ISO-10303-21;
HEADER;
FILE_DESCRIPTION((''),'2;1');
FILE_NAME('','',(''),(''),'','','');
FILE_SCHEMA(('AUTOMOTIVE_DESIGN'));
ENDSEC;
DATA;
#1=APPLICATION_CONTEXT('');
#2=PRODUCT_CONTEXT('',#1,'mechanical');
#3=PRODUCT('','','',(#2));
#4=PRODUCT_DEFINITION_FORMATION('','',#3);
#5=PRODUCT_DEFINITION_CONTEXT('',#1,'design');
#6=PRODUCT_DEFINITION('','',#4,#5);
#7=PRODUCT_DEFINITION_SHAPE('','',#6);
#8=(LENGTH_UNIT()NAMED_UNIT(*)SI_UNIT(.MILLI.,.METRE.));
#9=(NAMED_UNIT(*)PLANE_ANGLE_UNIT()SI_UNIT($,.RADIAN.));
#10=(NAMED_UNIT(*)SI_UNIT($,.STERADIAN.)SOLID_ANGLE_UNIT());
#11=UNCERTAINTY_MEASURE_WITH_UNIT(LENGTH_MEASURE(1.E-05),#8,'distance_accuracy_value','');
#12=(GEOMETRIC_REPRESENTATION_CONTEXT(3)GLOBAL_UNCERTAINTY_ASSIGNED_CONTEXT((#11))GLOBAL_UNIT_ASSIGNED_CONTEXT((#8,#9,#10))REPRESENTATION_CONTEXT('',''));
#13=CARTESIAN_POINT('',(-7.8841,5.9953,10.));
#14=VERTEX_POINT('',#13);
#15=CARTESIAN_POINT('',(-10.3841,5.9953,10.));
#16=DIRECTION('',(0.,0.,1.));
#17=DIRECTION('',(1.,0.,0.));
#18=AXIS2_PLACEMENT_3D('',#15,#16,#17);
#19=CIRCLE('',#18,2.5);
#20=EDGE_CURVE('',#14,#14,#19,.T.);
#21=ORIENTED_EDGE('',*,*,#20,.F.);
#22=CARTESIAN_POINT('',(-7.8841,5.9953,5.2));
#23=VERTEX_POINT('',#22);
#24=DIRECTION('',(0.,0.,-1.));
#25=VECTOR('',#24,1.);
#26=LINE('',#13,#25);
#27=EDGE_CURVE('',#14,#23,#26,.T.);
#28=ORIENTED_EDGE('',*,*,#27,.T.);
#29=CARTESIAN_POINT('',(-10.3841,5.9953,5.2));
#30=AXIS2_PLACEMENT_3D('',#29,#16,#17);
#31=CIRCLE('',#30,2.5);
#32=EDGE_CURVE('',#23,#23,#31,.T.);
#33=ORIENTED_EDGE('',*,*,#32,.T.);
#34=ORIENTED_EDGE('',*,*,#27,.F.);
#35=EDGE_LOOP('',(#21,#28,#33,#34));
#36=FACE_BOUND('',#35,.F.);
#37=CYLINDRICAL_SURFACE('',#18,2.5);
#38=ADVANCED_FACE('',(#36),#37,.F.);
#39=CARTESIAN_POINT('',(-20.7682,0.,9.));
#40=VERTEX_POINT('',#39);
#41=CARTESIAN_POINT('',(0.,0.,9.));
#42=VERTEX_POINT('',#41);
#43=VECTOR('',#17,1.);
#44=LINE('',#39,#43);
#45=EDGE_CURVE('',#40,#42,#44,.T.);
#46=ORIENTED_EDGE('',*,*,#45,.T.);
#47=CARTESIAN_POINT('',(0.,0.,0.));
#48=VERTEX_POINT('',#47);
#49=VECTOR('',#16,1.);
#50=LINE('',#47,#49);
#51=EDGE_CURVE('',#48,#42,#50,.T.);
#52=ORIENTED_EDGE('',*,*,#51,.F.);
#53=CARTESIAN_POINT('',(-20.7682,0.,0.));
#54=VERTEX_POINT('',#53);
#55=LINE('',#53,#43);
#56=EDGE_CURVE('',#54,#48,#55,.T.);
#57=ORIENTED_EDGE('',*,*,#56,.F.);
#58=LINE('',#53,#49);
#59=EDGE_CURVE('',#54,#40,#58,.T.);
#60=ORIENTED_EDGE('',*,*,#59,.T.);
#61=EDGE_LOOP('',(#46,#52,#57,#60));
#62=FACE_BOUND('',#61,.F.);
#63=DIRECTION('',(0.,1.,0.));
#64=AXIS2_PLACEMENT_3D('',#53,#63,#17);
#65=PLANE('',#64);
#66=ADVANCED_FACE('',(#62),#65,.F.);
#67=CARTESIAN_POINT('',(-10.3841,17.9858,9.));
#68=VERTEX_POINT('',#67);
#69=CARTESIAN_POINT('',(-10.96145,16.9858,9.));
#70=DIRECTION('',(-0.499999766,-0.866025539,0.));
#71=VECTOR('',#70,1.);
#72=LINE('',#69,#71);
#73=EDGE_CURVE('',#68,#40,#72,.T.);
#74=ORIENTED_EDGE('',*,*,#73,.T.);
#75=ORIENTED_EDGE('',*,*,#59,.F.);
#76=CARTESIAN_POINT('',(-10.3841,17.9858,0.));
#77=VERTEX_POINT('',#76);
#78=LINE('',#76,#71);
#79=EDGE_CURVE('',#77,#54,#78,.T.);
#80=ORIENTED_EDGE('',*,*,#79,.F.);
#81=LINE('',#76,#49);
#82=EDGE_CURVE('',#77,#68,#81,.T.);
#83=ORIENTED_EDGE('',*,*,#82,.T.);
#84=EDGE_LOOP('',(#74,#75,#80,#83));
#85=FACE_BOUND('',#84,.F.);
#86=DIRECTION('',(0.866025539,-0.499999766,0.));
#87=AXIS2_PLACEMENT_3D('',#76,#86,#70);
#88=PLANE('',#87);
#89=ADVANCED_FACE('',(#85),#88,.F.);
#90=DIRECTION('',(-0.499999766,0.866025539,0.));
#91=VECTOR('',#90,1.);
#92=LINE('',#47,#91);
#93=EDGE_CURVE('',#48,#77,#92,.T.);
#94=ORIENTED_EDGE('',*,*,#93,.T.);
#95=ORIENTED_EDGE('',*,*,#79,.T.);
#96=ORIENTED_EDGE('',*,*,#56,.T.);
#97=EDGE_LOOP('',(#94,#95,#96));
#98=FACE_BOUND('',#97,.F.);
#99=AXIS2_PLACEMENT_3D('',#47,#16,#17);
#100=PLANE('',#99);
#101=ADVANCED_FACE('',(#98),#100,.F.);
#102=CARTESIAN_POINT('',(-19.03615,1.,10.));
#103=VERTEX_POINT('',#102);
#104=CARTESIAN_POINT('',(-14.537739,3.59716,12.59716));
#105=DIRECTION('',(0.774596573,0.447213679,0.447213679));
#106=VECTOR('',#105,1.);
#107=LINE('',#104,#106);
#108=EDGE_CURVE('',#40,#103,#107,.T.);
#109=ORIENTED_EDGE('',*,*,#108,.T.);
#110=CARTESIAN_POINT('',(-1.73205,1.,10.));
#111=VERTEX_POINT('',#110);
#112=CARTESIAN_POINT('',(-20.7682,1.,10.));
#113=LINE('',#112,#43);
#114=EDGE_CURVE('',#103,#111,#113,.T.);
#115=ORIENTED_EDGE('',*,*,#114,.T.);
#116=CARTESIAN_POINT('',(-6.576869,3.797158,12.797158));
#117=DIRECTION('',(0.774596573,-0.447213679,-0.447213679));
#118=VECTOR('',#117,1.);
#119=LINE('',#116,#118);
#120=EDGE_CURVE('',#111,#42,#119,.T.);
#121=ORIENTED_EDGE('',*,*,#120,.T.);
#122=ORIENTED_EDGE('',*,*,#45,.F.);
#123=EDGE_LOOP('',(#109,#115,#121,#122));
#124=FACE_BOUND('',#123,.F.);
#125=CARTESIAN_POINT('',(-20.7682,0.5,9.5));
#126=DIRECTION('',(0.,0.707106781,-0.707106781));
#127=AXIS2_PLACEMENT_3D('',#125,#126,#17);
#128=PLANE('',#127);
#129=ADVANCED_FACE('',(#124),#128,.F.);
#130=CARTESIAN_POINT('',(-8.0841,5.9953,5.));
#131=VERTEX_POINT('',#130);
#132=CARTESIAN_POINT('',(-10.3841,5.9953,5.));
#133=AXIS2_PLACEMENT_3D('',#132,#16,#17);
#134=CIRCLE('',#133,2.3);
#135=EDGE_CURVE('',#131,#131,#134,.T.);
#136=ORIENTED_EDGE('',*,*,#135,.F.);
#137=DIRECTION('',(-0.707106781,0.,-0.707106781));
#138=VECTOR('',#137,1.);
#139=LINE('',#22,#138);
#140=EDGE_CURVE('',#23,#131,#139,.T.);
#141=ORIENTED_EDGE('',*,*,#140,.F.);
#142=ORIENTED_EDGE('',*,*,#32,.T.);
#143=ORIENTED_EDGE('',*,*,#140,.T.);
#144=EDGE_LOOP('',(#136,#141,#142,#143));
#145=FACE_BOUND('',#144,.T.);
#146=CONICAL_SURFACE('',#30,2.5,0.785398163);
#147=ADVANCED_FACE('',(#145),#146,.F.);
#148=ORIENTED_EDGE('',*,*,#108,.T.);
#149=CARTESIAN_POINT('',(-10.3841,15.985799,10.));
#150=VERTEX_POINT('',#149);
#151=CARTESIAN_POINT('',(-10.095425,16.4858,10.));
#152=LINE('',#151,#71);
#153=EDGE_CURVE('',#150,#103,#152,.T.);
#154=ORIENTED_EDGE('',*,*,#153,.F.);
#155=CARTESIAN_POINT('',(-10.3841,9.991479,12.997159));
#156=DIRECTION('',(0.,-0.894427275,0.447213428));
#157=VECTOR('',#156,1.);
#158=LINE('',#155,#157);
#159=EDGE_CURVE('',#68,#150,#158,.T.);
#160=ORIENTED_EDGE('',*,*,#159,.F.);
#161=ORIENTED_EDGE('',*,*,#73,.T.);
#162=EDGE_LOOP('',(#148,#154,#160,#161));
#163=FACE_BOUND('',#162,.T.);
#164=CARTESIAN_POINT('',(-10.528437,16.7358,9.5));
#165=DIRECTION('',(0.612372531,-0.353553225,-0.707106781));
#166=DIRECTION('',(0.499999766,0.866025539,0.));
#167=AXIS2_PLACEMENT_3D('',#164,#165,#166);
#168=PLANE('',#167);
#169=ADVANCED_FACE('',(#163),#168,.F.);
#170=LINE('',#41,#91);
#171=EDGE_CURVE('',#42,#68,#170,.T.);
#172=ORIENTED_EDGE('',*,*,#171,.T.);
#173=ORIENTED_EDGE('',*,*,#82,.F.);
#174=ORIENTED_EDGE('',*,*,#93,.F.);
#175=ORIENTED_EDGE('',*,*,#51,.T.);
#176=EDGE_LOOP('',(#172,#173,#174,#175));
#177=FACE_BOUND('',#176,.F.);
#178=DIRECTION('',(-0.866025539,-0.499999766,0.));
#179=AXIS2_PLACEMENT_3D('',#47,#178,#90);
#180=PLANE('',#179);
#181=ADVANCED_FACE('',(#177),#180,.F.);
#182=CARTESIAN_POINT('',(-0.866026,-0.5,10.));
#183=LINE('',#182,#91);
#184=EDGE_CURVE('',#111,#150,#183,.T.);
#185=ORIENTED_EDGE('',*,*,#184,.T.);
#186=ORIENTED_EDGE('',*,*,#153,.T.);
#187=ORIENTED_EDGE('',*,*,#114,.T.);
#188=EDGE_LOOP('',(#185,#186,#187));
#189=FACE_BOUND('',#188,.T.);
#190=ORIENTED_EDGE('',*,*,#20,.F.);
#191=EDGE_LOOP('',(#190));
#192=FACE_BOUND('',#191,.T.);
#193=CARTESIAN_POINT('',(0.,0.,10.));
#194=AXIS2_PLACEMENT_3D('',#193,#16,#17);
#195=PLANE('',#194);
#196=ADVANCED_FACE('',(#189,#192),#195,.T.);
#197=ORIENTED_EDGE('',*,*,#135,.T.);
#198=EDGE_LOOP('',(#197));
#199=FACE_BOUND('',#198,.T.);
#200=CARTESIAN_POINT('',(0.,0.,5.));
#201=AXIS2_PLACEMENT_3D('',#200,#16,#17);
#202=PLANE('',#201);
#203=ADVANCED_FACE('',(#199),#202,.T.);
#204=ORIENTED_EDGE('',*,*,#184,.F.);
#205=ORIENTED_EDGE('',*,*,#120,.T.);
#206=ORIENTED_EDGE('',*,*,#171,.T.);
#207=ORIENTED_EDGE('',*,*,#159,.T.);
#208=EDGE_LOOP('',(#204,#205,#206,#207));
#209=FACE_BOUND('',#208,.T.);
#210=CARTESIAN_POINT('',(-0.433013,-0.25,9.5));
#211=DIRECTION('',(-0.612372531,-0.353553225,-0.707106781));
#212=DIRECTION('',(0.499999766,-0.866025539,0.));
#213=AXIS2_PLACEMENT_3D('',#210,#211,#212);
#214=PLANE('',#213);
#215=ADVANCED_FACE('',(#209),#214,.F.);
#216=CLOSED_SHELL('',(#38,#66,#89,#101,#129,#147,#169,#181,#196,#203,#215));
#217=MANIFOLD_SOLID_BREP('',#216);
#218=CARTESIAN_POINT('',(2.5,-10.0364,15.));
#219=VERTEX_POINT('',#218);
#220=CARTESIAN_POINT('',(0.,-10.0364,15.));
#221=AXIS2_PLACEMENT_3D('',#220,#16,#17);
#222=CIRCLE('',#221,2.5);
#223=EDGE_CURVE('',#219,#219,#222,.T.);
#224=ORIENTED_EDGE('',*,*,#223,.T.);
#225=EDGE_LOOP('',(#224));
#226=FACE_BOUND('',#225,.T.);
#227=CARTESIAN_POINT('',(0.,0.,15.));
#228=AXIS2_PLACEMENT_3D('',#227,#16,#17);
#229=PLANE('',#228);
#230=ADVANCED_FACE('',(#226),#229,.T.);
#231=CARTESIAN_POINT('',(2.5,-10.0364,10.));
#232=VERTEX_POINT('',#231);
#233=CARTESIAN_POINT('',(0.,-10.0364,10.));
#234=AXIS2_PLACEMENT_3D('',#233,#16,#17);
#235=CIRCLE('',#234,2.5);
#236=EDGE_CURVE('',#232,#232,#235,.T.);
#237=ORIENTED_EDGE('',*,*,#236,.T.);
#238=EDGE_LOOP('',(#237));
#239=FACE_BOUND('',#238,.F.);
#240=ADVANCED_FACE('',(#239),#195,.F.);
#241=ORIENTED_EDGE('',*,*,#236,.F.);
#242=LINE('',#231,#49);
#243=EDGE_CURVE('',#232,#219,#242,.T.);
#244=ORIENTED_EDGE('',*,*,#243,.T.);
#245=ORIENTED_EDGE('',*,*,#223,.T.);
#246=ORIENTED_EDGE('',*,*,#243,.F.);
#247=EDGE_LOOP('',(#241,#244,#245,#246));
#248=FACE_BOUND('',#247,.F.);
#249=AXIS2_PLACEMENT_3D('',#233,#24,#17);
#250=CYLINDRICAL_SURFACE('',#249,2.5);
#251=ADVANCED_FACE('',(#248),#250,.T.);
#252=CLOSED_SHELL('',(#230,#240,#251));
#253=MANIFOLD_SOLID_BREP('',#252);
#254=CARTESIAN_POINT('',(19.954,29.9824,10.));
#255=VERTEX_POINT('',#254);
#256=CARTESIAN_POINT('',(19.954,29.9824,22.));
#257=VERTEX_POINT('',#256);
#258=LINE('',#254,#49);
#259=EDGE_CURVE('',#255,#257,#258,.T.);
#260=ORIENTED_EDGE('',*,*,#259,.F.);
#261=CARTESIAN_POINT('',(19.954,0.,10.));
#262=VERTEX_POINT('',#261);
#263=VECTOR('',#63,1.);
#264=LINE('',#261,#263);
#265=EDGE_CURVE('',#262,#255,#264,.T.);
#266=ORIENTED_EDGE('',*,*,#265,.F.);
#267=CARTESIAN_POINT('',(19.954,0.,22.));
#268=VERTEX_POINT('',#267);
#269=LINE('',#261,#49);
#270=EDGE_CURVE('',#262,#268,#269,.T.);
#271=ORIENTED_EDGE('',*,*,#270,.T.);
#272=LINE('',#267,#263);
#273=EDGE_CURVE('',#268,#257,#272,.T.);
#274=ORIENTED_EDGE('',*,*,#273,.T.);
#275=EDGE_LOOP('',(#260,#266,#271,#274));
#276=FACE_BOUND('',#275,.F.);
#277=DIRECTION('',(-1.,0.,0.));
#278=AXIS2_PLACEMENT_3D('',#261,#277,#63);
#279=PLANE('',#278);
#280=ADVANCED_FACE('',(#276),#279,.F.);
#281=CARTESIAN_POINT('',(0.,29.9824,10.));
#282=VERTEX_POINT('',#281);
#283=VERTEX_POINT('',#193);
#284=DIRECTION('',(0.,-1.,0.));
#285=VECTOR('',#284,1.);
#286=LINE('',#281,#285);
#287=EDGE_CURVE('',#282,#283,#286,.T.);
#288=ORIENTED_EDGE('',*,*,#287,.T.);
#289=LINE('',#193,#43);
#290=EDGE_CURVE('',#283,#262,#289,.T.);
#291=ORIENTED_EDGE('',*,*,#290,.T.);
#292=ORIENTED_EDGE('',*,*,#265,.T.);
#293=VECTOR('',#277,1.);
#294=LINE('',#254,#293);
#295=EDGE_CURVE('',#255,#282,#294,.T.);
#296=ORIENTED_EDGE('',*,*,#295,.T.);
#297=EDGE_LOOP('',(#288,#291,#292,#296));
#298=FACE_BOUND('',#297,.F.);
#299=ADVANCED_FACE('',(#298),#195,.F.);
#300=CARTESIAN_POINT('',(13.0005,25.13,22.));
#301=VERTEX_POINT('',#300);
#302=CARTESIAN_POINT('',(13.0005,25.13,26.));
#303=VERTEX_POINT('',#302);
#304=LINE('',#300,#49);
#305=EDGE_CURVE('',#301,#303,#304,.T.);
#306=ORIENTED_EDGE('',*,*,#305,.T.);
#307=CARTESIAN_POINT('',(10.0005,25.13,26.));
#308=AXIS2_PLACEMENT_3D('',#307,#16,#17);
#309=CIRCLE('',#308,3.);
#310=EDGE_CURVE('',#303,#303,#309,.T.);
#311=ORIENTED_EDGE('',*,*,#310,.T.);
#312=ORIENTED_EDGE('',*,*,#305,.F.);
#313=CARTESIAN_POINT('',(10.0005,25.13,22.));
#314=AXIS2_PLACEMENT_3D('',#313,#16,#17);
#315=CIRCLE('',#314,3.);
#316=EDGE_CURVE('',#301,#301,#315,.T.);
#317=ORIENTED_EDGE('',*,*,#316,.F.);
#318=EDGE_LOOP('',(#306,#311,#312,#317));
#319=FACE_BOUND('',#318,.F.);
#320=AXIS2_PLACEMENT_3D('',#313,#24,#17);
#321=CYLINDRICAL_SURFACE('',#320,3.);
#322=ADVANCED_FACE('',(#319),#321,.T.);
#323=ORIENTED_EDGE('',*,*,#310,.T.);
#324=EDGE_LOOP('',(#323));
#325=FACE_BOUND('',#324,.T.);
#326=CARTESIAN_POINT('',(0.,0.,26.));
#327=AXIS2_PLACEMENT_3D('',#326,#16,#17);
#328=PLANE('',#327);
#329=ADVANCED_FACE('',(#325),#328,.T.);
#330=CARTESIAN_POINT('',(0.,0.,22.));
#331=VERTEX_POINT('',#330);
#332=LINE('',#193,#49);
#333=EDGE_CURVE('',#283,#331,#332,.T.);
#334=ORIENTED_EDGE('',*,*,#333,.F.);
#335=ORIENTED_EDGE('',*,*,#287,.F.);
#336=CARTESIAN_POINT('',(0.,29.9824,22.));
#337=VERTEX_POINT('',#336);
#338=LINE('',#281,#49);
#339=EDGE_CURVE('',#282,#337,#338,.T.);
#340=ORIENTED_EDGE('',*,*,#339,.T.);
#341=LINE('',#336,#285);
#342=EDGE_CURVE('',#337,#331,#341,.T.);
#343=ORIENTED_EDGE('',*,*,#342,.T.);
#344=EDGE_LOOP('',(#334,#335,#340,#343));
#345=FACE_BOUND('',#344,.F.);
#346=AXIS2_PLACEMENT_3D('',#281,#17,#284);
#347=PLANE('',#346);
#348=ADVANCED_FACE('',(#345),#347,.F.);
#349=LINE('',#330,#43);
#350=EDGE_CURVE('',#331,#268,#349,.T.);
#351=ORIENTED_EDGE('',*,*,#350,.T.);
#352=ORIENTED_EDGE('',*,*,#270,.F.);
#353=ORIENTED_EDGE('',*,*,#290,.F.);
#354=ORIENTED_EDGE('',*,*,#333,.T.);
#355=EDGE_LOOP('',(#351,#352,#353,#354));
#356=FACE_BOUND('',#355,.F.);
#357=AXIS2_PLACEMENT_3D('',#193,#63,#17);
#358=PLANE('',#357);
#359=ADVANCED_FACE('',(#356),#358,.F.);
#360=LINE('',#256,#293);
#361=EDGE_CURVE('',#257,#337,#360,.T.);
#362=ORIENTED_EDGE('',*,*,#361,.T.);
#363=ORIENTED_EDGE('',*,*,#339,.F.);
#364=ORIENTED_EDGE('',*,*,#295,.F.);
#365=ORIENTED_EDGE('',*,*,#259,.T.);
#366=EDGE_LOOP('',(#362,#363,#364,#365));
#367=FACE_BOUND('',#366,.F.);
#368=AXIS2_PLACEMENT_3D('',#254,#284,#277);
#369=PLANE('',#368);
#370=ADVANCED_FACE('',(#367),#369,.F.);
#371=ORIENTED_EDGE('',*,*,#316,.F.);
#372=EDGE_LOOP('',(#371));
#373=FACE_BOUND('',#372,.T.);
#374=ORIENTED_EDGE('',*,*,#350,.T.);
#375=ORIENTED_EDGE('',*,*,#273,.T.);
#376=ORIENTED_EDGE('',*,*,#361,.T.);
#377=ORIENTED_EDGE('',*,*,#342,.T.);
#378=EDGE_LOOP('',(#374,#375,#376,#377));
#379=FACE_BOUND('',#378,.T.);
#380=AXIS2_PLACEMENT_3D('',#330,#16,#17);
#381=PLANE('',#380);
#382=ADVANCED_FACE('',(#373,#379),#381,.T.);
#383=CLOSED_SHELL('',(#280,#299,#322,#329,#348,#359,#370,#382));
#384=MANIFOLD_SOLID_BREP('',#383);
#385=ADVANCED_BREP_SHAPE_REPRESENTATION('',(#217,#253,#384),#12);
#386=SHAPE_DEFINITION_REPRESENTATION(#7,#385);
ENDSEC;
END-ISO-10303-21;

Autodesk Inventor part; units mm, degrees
ref_plane "YZ Plane" through (0, 0, 0) normal (1, 0, 0) x (0, 1, 0)
ref_plane "XZ Plane" through (0, 0, 0) normal (0, 1, 0) x (-1, 0, 0)
ref_plane "XY Plane" through (0, 0, 0) normal (0, 0, 1) x (1, 0, 0)
sketch "スケッチ2" plane through (0, 0, 0) normal (0, 0, 1) x (1, 0, 0)
  point P0 (0, 0)
sketch "スケッチ3" plane through (0, 0, 0) normal (0, 0, 1) x (1, 0, 0)
  point P0 (0, 0)
sketch "スケッチ4" plane through (0, 0, 0) normal (0, 0, 1) x (1, 0, 0)
  line L0 (-20.7682, 0) -> (0, 0)
  line L1 (0, 0) -> (-10.3841, 17.9858)
  line L2 (-10.3841, 17.9858) -> (-20.7682, 0)
  point P0 (-10.3841, 0)
extrude "押し出し1" add sketch "スケッチ4" along normal blind 10
chamfer "面取り1" distance 1 angle 45 1 edges at (-5.1921, 8.9929, 10)
chamfer "面取り2" distance 1 angle 45 2 edges at (-15.8649, 8.4929, 10) (-10.9615, 0, 10)
sketch "スケッチ5" plane through (0, 0, 10) normal (0, 0, 1) x (1, 0, 0)
  line L0 (-10.3841, 15.9858) -> (-10.3841, 17.9858) projected
  circle A0 centre (-10.3841, 5.9953) radius 2.5
  line L1 (-1.7321, 1) -> (-19.0362, 1) projected
  line L2 (-10.3841, 15.9858) -> (-1.7321, 1) projected
  point P0 (0, 0)
  dimension "d9" = 5
extrude "押し出し2" cut sketch "スケッチ5" against normal blind 5
chamfer "面取り3" distance 0.2 angle 45 1 edges at (-12.8841, 5.9953, 5)
thread "ねじ1" size "M5x0.8" class "6H" standard "ANSI Metric M Profile" full length
sketch "スケッチ6" plane through (0, 0, 10) normal (0, 0, 1) x (1, 0, 0)
  circle A0 centre (0, -10.0364) radius 2.5
  point P0 (0, 0)
  dimension "d17" = 5
extrude "押し出し3" add sketch "スケッチ6" along normal blind 5
thread "ねじ2" size "M5x0.8" class "6g" standard "ANSI Metric M Profile" full length
sketch "スケッチ7" plane through (0, -10.0364, 15) normal (0, 0, 1) x (1, 0, 0)
  point P0 (0, 10.0364)
sketch "スケッチ8" plane through (0, 0, 10) normal (0, 0, 1) x (1, 0, 0)
  point P0 (0, 0)
sketch "スケッチ9" plane through (-20.7682, 0, 9) normal (0, -0.7071, 0.7071) x (1, 0, 0)
  point P0 (20.7682, -6.364)
sketch "スケッチ10" plane through (-20.7682, 0, 0) normal (0, -1, 0) x (1, 0, 0)
  point P0 (20.7682, 0)
sketch "スケッチ11" plane through (0, 0, 10) normal (0, 0, 1) x (1, 0, 0)
  line L0 (0, 0) -> (-1.7321, 1) projected
  line L1 (0, 0) -> (19.954, 0)
  line L2 (19.954, 0) -> (19.954, 29.9824)
  line L3 (19.954, 29.9824) -> (0, 29.9824)
  line L4 (0, 29.9824) -> (0, 0)
extrude "押し出し4" add sketch "スケッチ11" along normal blind 12
sketch "スケッチ12" plane through (0, 0, 22) normal (0, 0, 1) x (1, 0, 0)
  point P0 (0, 0)
sketch "スケッチ13" plane through (0, 0, 22) normal (0, 0, 1) x (1, 0, 0)
  circle A0 centre (10.0005, 25.13) radius 3
  point P0 (0, 0)
  dimension "d24" = 6
extrude "押し出し5" add sketch "スケッチ13" along normal blind 4
sketch "スケッチ14" plane through (0, 0, 22) normal (0, 0, 1) x (1, 0, 0)
  point P0 (0, 0)
